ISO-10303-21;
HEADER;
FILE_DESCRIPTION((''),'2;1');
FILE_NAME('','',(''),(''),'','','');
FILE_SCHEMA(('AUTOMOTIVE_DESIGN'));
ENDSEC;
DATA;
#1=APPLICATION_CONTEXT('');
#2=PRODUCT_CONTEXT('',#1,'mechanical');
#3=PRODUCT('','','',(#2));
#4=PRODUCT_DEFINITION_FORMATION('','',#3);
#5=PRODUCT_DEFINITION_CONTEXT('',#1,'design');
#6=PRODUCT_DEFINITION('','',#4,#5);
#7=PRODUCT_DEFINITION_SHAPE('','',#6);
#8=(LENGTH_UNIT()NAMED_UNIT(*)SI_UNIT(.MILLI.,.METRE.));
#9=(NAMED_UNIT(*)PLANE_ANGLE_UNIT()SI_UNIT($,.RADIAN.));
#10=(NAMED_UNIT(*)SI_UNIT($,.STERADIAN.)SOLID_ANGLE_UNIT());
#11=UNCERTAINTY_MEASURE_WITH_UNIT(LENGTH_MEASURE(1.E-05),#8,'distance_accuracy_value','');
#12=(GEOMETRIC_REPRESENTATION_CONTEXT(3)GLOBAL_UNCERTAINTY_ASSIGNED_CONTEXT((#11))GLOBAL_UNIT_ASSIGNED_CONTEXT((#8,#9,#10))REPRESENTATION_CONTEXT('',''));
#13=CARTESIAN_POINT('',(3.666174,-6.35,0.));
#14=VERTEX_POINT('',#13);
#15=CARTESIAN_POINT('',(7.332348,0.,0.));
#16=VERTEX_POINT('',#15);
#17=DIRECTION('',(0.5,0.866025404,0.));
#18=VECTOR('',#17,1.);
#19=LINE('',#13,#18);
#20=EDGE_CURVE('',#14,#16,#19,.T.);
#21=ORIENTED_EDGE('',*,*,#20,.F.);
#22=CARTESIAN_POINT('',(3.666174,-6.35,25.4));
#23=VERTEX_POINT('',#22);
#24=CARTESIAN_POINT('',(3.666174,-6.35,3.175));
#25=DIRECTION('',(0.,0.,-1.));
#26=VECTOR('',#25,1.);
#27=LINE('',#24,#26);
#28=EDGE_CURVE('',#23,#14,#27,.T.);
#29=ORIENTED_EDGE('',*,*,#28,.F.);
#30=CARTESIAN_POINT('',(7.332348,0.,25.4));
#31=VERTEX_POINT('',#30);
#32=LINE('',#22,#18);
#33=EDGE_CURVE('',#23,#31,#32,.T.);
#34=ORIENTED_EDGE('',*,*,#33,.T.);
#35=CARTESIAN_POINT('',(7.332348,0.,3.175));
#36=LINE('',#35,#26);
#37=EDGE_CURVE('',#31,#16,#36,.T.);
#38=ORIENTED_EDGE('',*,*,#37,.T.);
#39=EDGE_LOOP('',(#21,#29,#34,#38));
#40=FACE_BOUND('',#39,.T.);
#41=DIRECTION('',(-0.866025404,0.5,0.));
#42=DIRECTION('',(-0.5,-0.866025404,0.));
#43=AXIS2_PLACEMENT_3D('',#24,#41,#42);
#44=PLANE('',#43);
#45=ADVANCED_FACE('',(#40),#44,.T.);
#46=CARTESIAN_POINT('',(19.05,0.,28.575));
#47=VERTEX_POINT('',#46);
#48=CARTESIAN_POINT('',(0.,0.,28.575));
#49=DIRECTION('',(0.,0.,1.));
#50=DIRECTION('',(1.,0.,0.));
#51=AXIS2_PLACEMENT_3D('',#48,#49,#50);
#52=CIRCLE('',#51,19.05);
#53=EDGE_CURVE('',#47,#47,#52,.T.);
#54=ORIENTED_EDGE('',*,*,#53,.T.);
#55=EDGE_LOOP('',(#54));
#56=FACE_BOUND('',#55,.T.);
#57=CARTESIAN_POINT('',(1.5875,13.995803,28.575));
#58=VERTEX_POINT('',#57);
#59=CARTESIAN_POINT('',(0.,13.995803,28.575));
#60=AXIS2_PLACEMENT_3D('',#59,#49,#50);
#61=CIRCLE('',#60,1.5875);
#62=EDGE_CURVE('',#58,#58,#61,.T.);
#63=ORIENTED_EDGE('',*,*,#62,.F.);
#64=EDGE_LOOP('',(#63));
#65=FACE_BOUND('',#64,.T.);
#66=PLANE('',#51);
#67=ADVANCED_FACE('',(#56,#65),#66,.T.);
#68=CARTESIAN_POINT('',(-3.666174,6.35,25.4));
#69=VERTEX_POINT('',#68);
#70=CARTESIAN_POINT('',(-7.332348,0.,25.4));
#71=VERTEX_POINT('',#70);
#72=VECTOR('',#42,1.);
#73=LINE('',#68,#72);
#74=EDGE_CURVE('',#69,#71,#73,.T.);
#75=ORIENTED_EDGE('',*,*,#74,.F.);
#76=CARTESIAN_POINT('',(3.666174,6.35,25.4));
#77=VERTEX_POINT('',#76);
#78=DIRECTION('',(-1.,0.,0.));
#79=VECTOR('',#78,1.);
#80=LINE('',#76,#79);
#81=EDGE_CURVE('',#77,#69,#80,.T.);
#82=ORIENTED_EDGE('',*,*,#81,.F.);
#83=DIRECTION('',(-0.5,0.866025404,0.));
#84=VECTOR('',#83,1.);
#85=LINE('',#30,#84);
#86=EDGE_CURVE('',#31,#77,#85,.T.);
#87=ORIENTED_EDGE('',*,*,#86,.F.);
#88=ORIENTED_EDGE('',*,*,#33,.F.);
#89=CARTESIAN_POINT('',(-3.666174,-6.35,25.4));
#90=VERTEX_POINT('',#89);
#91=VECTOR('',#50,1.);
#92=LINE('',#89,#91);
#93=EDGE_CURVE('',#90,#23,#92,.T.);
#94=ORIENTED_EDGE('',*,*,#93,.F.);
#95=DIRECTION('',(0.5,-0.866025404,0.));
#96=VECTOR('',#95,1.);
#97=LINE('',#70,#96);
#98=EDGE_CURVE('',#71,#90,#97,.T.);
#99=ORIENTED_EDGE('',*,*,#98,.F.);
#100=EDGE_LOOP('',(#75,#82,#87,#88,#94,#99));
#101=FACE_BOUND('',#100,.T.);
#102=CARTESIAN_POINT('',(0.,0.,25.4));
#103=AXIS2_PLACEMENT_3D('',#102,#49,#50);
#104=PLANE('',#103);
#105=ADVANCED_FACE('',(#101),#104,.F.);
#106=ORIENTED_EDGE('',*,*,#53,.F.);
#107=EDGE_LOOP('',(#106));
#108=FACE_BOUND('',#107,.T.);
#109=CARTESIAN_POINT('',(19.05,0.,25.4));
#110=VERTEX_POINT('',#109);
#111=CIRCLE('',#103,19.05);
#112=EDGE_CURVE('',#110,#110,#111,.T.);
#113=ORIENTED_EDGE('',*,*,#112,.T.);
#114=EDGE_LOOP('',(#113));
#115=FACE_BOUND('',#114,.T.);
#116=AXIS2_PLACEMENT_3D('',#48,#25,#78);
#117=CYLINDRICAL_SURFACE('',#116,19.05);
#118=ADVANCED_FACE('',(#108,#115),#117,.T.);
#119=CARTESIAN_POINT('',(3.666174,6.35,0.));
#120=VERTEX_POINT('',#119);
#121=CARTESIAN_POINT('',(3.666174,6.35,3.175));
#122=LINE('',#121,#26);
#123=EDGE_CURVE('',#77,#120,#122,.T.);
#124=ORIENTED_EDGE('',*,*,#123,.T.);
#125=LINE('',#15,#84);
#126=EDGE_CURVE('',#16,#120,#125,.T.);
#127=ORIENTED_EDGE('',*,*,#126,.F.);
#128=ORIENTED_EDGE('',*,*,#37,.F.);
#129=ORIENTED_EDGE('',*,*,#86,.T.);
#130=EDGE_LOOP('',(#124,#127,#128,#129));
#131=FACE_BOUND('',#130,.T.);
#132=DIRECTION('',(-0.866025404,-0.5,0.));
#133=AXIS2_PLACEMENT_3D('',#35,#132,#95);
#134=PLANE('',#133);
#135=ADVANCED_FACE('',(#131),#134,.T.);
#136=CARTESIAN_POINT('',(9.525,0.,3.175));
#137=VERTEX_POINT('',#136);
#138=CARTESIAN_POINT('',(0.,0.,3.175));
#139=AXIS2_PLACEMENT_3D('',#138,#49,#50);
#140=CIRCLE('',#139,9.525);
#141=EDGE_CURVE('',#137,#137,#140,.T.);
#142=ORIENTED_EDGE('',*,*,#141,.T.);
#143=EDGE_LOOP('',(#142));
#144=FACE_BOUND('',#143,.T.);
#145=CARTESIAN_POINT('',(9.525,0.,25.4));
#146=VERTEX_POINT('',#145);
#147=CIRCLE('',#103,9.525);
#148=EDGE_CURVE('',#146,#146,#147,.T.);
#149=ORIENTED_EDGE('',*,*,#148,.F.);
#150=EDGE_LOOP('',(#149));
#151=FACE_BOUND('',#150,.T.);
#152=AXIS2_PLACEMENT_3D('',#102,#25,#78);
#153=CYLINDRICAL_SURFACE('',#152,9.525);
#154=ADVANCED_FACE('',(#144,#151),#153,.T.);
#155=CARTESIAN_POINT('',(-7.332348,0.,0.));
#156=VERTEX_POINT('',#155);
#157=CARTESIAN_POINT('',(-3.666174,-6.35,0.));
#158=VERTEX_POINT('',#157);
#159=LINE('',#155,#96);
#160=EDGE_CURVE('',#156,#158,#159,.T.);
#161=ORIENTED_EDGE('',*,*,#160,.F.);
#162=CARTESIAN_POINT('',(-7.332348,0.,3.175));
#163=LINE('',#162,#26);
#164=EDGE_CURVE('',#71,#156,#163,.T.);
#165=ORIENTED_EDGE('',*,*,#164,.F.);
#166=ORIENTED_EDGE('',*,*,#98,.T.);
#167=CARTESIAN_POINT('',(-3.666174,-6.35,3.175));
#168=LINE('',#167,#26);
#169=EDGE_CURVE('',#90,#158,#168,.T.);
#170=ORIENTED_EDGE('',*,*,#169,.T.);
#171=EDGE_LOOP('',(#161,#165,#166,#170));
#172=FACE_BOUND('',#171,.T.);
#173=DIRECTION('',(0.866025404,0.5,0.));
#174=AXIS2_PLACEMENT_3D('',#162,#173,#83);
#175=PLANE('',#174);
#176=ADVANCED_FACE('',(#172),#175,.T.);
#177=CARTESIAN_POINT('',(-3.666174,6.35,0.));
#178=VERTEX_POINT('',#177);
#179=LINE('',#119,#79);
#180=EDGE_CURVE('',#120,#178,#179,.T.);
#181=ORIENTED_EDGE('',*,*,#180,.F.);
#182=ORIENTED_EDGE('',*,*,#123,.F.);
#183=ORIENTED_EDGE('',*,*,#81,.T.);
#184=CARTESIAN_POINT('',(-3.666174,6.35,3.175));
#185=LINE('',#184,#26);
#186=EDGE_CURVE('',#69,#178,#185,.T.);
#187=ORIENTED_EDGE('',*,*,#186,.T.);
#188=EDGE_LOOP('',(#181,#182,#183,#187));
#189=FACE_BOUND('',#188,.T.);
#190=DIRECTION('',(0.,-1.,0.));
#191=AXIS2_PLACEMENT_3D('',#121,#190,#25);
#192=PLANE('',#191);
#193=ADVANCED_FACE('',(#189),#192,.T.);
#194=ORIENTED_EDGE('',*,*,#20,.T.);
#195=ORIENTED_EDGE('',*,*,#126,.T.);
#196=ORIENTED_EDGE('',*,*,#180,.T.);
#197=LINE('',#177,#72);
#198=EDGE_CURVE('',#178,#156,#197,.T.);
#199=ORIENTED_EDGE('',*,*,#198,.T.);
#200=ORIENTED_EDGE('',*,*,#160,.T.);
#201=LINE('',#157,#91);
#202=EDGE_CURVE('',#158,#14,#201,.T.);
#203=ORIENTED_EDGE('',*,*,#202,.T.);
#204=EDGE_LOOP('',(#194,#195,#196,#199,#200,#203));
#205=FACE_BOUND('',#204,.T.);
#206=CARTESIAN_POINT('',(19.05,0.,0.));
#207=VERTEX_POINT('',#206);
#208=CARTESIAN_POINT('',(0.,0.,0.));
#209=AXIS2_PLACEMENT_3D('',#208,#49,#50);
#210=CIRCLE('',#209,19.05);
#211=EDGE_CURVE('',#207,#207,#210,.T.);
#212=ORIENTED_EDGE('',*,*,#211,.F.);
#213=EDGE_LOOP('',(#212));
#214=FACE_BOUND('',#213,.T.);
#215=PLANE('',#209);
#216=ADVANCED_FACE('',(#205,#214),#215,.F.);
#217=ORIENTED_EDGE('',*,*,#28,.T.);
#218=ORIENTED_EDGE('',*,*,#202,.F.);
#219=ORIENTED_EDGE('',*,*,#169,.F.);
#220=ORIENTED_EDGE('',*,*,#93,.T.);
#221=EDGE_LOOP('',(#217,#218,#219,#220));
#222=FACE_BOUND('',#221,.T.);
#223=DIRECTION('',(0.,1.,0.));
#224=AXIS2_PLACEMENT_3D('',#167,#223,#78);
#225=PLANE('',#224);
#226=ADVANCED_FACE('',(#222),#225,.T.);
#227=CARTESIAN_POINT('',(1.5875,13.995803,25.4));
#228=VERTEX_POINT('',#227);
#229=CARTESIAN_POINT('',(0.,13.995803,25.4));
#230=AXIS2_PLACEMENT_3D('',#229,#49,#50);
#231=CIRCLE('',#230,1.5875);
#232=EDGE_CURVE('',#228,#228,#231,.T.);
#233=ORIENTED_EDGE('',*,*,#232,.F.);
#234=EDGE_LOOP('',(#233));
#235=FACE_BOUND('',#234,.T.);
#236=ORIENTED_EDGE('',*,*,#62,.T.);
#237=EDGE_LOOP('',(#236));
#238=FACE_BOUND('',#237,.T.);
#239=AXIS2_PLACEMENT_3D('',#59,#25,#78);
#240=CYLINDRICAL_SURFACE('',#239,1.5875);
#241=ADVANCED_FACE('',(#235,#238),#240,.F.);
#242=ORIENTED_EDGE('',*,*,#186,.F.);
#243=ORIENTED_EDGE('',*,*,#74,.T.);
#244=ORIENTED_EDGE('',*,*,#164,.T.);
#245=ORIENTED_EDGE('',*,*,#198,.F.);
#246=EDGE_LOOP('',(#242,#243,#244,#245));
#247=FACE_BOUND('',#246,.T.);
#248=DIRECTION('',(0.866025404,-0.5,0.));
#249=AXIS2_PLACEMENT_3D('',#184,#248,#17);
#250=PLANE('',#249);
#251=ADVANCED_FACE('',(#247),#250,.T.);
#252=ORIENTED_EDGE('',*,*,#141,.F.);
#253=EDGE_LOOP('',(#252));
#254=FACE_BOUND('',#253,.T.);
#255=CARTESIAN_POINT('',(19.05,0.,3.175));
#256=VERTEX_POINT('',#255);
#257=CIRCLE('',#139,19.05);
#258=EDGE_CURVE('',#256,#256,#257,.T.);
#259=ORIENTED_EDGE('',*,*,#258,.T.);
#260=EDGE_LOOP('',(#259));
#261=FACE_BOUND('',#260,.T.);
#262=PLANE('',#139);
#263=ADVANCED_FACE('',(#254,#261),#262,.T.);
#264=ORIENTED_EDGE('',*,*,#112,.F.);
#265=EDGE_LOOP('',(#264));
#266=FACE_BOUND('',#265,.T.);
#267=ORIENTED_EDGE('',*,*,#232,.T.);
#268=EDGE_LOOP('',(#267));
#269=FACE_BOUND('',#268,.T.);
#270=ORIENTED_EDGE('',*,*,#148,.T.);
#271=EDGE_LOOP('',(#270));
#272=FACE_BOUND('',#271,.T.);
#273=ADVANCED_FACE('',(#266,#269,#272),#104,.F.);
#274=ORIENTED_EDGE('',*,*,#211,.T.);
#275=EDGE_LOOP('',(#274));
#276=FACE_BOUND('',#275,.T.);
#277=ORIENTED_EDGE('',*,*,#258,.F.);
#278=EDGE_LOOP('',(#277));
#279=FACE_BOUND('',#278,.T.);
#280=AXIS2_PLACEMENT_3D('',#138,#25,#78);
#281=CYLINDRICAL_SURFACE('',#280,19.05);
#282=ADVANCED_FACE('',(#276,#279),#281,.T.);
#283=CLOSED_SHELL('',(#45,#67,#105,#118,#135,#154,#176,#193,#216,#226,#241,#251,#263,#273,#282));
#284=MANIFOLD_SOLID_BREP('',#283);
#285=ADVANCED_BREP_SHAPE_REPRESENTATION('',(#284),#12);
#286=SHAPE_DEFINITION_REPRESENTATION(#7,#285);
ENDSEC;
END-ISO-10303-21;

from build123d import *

# Parameters (mm, degrees)
SKETCH1_R           = 19.05
BOSS_EXTRUDE1_DEPTH = 3.175
SKETCH2_R           = 9.525
BOSS_EXTRUDE2_DEPTH = 22.225
SKETCH3_R           = 19.05
SKETCH3_R_2         = 1.5875
BOSS_EXTRUDE3_DEPTH = 3.175


with BuildPart() as part:
    # Sketch1 → Boss-Extrude1 (new body)
    with BuildSketch(Plane.XY):
        Circle(SKETCH1_R)
        Polygon((7.332348419, 0), (3.666174209, 6.35), (-3.666174209, 6.35), (-7.332348419, 0), (-3.666174209, -6.35), (3.666174209, -6.35), align=None, mode=Mode.SUBTRACT)
    extrude(amount=BOSS_EXTRUDE1_DEPTH)

    # Sketch2 → Boss-Extrude2 (add)
    with BuildSketch(Plane.XY.offset(3.175)):
        Circle(SKETCH2_R)
        Polygon((7.332348419, 0), (3.666174209, 6.35), (-3.666174209, 6.35), (-7.332348419, 0), (-3.666174209, -6.35), (3.666174209, -6.35), align=None, mode=Mode.SUBTRACT)
    extrude(amount=BOSS_EXTRUDE2_DEPTH)

    # Sketch3 → Boss-Extrude3 (add)
    with BuildSketch(Plane.XY.offset(25.4)):
        Circle(SKETCH3_R)
        with Locations((0, 13.995802971)):
            Circle(SKETCH3_R_2, mode=Mode.SUBTRACT)
    extrude(amount=BOSS_EXTRUDE3_DEPTH)


solid = part.part
